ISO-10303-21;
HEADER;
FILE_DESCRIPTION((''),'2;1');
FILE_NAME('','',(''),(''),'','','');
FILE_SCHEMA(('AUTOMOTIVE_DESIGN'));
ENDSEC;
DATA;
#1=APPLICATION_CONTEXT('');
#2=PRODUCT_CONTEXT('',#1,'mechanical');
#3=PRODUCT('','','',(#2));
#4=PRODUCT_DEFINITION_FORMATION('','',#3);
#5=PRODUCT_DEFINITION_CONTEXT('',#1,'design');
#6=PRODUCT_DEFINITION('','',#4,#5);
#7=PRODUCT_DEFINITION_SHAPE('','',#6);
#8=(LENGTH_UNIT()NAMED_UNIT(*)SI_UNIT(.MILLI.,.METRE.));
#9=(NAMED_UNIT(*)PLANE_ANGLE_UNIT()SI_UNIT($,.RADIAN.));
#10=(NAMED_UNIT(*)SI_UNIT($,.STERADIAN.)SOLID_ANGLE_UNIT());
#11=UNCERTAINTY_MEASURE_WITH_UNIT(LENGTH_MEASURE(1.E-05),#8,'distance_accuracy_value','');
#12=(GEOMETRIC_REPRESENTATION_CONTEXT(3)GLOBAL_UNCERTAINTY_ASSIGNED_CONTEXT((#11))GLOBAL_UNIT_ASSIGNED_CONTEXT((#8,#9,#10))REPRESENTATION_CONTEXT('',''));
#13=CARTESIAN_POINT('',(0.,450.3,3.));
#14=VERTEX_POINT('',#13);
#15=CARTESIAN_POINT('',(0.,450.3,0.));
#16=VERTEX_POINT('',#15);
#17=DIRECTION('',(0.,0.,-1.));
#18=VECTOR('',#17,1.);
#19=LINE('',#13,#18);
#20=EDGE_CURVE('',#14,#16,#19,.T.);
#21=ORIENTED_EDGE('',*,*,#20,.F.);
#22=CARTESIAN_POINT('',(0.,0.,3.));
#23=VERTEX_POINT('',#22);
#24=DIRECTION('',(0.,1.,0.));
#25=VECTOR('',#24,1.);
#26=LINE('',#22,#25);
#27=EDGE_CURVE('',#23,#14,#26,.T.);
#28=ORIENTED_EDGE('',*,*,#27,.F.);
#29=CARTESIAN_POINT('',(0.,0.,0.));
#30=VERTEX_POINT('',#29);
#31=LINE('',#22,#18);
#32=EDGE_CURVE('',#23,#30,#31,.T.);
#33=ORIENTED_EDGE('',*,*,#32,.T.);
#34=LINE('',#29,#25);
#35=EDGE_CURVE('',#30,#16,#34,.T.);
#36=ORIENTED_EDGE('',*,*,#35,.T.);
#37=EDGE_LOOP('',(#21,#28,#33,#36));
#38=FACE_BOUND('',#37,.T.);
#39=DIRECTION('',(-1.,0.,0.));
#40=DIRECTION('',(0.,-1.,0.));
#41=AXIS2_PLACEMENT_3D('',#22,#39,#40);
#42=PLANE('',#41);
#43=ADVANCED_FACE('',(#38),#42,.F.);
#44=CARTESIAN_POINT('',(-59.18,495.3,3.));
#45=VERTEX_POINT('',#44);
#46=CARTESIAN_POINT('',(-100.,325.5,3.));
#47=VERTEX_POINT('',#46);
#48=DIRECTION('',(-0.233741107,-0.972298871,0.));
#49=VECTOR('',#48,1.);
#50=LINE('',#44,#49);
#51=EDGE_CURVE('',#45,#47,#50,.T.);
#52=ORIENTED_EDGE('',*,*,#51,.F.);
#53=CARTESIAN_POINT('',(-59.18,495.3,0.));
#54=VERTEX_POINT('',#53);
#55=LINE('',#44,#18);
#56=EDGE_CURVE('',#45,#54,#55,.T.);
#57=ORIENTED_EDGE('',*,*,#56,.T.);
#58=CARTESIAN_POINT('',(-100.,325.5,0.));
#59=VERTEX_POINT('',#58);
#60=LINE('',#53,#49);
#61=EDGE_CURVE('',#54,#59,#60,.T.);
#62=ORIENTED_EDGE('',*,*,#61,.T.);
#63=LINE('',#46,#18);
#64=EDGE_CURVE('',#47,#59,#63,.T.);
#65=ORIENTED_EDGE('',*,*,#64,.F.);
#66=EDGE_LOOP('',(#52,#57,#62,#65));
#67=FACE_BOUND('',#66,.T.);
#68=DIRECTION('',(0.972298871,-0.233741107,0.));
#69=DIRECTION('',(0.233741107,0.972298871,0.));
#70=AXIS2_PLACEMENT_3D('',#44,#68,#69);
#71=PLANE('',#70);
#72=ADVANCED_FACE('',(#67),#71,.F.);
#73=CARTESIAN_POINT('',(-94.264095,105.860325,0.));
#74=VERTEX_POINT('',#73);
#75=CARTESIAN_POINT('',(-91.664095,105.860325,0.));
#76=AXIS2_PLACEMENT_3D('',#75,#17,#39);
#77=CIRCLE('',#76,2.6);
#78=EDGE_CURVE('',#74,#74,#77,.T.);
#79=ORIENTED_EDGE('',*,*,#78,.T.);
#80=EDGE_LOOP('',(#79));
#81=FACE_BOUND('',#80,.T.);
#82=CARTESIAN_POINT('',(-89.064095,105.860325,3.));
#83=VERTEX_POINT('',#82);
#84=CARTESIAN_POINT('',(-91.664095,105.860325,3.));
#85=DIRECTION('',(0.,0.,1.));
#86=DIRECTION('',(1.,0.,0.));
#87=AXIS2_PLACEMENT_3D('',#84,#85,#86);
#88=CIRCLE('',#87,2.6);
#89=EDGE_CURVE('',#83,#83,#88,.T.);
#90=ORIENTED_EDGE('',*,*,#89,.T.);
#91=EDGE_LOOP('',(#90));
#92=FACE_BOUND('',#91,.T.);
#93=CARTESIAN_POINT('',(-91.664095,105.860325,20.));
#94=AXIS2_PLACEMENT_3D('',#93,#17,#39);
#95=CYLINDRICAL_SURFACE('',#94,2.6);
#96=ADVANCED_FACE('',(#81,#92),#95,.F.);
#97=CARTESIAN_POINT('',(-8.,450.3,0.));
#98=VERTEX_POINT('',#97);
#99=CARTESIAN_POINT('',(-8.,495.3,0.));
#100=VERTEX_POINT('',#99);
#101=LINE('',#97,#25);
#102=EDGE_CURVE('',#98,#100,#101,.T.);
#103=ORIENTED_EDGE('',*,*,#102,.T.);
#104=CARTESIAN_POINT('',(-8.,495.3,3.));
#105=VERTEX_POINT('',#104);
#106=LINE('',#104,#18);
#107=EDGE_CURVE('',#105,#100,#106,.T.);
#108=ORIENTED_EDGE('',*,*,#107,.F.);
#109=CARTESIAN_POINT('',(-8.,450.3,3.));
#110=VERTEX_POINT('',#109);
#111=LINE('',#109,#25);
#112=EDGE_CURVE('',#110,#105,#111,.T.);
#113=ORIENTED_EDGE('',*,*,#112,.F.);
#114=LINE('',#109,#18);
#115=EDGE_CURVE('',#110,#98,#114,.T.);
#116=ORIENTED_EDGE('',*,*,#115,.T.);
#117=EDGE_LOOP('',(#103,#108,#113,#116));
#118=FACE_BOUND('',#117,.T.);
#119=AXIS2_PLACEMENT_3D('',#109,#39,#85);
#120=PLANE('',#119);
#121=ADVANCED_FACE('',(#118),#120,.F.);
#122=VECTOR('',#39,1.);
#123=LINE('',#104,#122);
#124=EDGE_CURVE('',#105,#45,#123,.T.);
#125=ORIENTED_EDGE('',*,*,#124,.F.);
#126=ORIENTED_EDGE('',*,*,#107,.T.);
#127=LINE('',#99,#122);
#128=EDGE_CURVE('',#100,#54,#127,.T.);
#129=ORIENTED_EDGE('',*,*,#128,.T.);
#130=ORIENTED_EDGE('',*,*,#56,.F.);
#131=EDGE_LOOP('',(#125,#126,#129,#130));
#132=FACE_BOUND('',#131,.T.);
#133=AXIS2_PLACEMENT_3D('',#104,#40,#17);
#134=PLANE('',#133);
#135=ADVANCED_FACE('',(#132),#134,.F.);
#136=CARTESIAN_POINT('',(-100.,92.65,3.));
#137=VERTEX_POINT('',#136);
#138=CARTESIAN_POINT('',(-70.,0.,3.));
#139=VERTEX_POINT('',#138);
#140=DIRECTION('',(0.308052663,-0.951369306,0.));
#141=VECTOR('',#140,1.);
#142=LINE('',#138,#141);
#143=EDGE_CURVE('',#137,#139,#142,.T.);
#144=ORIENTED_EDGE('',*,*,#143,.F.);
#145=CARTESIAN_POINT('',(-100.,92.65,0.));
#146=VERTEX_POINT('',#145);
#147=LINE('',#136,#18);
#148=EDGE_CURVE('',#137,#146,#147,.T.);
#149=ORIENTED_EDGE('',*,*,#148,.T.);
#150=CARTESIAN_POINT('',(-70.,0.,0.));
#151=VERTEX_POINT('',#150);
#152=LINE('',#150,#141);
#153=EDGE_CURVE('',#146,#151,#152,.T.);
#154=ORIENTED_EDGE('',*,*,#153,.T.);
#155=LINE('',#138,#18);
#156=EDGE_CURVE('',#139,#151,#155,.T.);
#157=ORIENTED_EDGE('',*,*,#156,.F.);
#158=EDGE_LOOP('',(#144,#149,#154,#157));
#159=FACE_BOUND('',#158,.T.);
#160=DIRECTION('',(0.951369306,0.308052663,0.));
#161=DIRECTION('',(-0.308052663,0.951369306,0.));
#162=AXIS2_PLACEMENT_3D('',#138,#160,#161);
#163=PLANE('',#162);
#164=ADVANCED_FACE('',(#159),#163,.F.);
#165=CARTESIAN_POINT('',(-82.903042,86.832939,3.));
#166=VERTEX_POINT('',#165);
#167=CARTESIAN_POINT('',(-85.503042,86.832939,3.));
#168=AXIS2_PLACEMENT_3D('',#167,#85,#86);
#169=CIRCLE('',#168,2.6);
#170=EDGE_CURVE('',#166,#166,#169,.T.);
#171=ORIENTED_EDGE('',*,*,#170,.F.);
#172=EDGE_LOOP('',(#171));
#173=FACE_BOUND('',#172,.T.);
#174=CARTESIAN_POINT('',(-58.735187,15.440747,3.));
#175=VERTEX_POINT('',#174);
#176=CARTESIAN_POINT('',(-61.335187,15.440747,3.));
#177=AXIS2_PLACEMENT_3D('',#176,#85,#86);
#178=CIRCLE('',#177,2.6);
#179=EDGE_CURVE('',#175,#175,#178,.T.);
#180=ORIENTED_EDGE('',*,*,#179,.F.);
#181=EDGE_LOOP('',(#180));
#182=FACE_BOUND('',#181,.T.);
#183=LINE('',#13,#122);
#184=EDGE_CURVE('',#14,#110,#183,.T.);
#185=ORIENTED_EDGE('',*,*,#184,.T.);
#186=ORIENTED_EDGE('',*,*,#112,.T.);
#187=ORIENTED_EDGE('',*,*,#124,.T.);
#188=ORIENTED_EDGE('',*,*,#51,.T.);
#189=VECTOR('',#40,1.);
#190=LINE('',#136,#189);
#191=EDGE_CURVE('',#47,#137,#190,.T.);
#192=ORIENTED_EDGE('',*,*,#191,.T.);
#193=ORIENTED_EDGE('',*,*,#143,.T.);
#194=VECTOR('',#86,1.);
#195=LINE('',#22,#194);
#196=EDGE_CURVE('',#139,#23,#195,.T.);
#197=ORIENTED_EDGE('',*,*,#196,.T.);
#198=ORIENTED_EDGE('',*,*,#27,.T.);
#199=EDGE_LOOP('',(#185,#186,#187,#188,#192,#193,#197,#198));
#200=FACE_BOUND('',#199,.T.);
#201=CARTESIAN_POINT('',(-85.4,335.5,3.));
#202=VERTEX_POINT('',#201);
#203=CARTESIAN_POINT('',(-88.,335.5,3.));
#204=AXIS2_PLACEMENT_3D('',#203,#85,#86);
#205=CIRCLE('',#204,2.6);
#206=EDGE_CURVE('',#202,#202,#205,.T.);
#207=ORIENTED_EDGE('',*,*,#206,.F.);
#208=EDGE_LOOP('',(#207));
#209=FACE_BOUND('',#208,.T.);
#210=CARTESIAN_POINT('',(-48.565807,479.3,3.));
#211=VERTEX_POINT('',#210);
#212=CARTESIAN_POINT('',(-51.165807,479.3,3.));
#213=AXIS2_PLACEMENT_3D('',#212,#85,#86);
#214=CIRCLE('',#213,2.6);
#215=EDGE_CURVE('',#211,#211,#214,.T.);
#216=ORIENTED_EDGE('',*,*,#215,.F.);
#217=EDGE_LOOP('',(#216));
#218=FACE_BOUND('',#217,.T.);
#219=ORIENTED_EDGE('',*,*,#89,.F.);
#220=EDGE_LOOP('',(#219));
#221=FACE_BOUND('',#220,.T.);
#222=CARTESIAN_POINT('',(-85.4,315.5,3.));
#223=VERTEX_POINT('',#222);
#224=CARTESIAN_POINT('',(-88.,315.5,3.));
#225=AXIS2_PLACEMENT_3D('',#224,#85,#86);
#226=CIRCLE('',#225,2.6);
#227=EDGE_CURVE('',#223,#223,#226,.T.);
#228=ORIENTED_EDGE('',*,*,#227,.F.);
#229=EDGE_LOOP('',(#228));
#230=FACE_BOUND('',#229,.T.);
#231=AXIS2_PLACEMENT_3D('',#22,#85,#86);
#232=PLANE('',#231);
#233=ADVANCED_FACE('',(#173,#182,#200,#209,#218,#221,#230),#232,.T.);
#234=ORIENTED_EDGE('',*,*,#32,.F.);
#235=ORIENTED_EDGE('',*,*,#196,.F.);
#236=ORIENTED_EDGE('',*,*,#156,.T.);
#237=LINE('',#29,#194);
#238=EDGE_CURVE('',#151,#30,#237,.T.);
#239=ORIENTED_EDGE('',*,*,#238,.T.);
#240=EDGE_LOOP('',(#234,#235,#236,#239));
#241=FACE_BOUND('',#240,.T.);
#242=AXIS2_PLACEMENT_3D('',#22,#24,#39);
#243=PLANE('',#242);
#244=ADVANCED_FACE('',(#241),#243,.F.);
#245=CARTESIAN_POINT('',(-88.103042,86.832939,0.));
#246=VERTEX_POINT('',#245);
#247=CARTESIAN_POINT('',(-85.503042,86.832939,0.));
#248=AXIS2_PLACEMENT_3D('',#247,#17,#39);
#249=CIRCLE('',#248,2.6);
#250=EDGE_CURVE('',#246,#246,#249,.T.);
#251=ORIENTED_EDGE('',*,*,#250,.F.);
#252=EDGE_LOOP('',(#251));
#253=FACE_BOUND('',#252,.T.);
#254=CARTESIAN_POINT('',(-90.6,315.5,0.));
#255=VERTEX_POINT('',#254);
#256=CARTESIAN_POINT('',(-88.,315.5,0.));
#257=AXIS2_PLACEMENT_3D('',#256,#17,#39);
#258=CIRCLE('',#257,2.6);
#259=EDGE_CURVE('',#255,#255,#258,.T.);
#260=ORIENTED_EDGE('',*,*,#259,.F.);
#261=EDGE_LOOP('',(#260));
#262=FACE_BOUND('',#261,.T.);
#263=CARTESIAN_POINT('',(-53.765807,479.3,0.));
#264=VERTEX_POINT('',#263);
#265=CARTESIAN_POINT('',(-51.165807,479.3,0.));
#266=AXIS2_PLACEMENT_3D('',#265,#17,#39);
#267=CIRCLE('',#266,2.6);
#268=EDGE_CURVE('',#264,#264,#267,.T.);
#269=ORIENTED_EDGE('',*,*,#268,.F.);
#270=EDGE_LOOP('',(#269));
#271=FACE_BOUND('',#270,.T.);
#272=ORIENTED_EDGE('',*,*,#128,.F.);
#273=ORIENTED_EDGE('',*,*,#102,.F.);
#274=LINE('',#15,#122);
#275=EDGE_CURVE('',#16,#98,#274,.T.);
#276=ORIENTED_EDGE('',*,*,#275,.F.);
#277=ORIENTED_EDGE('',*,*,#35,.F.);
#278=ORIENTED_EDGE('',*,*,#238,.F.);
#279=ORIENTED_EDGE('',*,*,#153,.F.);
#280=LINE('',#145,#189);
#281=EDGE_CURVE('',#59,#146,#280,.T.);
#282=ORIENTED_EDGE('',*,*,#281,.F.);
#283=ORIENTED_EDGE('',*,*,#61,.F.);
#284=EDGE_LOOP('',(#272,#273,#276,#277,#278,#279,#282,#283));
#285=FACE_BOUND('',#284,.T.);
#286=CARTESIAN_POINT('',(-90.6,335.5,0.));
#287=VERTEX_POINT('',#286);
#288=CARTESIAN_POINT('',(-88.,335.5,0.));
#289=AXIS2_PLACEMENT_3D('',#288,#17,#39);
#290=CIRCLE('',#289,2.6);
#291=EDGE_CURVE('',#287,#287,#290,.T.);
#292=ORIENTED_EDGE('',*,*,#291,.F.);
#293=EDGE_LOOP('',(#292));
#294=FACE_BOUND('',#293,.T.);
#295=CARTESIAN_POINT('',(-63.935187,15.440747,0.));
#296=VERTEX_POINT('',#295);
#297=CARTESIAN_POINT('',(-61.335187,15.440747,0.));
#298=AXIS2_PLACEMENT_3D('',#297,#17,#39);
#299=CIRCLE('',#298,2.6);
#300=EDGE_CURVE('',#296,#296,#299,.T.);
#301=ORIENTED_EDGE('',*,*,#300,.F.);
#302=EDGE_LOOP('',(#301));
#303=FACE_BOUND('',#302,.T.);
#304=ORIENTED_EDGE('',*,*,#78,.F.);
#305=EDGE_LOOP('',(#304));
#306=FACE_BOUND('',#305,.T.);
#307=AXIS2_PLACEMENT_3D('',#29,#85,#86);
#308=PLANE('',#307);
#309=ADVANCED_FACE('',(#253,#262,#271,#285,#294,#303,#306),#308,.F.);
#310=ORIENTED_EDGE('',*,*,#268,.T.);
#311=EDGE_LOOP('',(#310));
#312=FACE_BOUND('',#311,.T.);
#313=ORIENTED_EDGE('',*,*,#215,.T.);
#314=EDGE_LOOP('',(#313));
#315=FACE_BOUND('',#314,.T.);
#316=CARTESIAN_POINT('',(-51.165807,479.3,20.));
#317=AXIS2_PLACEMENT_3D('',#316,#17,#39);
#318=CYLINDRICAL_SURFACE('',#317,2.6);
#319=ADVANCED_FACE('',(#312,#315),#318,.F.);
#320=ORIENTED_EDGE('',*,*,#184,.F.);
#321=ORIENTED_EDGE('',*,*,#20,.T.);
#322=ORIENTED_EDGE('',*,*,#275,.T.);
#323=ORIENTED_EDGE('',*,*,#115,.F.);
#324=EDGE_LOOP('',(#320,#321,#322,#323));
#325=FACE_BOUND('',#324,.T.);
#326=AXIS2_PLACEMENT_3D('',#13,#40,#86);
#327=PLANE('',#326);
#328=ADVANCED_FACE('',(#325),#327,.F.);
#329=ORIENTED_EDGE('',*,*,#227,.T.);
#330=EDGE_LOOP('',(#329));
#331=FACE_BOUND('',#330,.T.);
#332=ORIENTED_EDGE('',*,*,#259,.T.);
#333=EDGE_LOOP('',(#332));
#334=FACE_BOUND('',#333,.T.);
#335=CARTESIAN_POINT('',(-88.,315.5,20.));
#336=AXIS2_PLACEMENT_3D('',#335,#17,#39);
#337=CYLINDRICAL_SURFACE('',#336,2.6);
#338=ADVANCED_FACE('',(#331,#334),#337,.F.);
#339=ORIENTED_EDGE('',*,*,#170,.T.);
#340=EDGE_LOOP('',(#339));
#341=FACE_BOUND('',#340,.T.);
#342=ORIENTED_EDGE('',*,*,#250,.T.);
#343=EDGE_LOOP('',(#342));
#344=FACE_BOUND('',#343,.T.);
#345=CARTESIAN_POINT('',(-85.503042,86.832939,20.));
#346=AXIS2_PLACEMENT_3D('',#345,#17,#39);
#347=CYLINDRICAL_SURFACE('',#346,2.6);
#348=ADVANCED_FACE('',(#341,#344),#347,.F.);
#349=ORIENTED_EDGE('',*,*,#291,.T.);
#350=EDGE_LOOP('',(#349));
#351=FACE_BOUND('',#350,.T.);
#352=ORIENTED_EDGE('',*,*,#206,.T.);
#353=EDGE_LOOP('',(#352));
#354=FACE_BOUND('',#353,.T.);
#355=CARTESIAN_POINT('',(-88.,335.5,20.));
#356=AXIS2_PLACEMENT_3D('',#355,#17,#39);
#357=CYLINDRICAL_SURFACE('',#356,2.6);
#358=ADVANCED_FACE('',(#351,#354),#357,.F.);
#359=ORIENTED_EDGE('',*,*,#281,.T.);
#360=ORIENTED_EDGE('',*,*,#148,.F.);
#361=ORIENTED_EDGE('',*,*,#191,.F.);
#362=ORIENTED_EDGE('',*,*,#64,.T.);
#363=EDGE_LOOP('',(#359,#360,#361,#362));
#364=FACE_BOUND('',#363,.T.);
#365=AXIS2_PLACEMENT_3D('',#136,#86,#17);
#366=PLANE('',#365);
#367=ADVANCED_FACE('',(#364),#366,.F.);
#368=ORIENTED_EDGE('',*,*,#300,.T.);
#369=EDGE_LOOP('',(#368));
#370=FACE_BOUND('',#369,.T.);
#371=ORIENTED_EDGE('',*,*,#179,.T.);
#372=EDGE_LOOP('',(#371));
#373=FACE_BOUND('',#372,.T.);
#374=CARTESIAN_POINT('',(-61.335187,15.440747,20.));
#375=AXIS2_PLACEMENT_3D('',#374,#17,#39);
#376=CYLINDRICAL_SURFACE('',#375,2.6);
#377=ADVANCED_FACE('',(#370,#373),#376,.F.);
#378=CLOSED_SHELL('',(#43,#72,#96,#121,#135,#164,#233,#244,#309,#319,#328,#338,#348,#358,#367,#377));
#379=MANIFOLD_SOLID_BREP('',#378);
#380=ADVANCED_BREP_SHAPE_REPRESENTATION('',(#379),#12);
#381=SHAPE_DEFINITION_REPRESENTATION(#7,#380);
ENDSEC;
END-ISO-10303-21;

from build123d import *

# Parameters (mm, degrees)
BOSS_EXTRU_1_DEPTH      = 3
ESQUISSE2_R             = 2.6
ENL_V_MAT_EXTRU_1_DEPTH = 20


with BuildPart() as part:
    # Esquisse1 → Boss.-Extru.1 (new body)
    with BuildSketch(Plane.XY):
        Polygon((0, 450.3), (-8, 450.3), (-8, 495.3), (-59.18, 495.3), (-100, 325.5), (-100, 92.65), (-70, 0), (0, 0), align=None)
    extrude(amount=BOSS_EXTRU_1_DEPTH)

    # Esquisse2 → Enlèv. mat.-Extru.1 (cut)
    with BuildSketch(Plane(origin=(0, 0, 0), x_dir=(-1, 0, 0), z_dir=(0, 0, -1))):
        with Locations((61.335187385, 15.440747023)):
            Circle(ESQUISSE2_R)
        with Locations((85.503041698, 86.832938888)):
            Circle(ESQUISSE2_R)
        with Locations((91.66409495, 105.860325015)):
            Circle(ESQUISSE2_R)
        with Locations((88, 315.5)):
            Circle(ESQUISSE2_R)
        with Locations((88, 335.5)):
            Circle(ESQUISSE2_R)
        with Locations((51.165806832, 479.3)):
            Circle(ESQUISSE2_R)
    extrude(amount=-ENL_V_MAT_EXTRU_1_DEPTH, mode=Mode.SUBTRACT)


solid = part.part
